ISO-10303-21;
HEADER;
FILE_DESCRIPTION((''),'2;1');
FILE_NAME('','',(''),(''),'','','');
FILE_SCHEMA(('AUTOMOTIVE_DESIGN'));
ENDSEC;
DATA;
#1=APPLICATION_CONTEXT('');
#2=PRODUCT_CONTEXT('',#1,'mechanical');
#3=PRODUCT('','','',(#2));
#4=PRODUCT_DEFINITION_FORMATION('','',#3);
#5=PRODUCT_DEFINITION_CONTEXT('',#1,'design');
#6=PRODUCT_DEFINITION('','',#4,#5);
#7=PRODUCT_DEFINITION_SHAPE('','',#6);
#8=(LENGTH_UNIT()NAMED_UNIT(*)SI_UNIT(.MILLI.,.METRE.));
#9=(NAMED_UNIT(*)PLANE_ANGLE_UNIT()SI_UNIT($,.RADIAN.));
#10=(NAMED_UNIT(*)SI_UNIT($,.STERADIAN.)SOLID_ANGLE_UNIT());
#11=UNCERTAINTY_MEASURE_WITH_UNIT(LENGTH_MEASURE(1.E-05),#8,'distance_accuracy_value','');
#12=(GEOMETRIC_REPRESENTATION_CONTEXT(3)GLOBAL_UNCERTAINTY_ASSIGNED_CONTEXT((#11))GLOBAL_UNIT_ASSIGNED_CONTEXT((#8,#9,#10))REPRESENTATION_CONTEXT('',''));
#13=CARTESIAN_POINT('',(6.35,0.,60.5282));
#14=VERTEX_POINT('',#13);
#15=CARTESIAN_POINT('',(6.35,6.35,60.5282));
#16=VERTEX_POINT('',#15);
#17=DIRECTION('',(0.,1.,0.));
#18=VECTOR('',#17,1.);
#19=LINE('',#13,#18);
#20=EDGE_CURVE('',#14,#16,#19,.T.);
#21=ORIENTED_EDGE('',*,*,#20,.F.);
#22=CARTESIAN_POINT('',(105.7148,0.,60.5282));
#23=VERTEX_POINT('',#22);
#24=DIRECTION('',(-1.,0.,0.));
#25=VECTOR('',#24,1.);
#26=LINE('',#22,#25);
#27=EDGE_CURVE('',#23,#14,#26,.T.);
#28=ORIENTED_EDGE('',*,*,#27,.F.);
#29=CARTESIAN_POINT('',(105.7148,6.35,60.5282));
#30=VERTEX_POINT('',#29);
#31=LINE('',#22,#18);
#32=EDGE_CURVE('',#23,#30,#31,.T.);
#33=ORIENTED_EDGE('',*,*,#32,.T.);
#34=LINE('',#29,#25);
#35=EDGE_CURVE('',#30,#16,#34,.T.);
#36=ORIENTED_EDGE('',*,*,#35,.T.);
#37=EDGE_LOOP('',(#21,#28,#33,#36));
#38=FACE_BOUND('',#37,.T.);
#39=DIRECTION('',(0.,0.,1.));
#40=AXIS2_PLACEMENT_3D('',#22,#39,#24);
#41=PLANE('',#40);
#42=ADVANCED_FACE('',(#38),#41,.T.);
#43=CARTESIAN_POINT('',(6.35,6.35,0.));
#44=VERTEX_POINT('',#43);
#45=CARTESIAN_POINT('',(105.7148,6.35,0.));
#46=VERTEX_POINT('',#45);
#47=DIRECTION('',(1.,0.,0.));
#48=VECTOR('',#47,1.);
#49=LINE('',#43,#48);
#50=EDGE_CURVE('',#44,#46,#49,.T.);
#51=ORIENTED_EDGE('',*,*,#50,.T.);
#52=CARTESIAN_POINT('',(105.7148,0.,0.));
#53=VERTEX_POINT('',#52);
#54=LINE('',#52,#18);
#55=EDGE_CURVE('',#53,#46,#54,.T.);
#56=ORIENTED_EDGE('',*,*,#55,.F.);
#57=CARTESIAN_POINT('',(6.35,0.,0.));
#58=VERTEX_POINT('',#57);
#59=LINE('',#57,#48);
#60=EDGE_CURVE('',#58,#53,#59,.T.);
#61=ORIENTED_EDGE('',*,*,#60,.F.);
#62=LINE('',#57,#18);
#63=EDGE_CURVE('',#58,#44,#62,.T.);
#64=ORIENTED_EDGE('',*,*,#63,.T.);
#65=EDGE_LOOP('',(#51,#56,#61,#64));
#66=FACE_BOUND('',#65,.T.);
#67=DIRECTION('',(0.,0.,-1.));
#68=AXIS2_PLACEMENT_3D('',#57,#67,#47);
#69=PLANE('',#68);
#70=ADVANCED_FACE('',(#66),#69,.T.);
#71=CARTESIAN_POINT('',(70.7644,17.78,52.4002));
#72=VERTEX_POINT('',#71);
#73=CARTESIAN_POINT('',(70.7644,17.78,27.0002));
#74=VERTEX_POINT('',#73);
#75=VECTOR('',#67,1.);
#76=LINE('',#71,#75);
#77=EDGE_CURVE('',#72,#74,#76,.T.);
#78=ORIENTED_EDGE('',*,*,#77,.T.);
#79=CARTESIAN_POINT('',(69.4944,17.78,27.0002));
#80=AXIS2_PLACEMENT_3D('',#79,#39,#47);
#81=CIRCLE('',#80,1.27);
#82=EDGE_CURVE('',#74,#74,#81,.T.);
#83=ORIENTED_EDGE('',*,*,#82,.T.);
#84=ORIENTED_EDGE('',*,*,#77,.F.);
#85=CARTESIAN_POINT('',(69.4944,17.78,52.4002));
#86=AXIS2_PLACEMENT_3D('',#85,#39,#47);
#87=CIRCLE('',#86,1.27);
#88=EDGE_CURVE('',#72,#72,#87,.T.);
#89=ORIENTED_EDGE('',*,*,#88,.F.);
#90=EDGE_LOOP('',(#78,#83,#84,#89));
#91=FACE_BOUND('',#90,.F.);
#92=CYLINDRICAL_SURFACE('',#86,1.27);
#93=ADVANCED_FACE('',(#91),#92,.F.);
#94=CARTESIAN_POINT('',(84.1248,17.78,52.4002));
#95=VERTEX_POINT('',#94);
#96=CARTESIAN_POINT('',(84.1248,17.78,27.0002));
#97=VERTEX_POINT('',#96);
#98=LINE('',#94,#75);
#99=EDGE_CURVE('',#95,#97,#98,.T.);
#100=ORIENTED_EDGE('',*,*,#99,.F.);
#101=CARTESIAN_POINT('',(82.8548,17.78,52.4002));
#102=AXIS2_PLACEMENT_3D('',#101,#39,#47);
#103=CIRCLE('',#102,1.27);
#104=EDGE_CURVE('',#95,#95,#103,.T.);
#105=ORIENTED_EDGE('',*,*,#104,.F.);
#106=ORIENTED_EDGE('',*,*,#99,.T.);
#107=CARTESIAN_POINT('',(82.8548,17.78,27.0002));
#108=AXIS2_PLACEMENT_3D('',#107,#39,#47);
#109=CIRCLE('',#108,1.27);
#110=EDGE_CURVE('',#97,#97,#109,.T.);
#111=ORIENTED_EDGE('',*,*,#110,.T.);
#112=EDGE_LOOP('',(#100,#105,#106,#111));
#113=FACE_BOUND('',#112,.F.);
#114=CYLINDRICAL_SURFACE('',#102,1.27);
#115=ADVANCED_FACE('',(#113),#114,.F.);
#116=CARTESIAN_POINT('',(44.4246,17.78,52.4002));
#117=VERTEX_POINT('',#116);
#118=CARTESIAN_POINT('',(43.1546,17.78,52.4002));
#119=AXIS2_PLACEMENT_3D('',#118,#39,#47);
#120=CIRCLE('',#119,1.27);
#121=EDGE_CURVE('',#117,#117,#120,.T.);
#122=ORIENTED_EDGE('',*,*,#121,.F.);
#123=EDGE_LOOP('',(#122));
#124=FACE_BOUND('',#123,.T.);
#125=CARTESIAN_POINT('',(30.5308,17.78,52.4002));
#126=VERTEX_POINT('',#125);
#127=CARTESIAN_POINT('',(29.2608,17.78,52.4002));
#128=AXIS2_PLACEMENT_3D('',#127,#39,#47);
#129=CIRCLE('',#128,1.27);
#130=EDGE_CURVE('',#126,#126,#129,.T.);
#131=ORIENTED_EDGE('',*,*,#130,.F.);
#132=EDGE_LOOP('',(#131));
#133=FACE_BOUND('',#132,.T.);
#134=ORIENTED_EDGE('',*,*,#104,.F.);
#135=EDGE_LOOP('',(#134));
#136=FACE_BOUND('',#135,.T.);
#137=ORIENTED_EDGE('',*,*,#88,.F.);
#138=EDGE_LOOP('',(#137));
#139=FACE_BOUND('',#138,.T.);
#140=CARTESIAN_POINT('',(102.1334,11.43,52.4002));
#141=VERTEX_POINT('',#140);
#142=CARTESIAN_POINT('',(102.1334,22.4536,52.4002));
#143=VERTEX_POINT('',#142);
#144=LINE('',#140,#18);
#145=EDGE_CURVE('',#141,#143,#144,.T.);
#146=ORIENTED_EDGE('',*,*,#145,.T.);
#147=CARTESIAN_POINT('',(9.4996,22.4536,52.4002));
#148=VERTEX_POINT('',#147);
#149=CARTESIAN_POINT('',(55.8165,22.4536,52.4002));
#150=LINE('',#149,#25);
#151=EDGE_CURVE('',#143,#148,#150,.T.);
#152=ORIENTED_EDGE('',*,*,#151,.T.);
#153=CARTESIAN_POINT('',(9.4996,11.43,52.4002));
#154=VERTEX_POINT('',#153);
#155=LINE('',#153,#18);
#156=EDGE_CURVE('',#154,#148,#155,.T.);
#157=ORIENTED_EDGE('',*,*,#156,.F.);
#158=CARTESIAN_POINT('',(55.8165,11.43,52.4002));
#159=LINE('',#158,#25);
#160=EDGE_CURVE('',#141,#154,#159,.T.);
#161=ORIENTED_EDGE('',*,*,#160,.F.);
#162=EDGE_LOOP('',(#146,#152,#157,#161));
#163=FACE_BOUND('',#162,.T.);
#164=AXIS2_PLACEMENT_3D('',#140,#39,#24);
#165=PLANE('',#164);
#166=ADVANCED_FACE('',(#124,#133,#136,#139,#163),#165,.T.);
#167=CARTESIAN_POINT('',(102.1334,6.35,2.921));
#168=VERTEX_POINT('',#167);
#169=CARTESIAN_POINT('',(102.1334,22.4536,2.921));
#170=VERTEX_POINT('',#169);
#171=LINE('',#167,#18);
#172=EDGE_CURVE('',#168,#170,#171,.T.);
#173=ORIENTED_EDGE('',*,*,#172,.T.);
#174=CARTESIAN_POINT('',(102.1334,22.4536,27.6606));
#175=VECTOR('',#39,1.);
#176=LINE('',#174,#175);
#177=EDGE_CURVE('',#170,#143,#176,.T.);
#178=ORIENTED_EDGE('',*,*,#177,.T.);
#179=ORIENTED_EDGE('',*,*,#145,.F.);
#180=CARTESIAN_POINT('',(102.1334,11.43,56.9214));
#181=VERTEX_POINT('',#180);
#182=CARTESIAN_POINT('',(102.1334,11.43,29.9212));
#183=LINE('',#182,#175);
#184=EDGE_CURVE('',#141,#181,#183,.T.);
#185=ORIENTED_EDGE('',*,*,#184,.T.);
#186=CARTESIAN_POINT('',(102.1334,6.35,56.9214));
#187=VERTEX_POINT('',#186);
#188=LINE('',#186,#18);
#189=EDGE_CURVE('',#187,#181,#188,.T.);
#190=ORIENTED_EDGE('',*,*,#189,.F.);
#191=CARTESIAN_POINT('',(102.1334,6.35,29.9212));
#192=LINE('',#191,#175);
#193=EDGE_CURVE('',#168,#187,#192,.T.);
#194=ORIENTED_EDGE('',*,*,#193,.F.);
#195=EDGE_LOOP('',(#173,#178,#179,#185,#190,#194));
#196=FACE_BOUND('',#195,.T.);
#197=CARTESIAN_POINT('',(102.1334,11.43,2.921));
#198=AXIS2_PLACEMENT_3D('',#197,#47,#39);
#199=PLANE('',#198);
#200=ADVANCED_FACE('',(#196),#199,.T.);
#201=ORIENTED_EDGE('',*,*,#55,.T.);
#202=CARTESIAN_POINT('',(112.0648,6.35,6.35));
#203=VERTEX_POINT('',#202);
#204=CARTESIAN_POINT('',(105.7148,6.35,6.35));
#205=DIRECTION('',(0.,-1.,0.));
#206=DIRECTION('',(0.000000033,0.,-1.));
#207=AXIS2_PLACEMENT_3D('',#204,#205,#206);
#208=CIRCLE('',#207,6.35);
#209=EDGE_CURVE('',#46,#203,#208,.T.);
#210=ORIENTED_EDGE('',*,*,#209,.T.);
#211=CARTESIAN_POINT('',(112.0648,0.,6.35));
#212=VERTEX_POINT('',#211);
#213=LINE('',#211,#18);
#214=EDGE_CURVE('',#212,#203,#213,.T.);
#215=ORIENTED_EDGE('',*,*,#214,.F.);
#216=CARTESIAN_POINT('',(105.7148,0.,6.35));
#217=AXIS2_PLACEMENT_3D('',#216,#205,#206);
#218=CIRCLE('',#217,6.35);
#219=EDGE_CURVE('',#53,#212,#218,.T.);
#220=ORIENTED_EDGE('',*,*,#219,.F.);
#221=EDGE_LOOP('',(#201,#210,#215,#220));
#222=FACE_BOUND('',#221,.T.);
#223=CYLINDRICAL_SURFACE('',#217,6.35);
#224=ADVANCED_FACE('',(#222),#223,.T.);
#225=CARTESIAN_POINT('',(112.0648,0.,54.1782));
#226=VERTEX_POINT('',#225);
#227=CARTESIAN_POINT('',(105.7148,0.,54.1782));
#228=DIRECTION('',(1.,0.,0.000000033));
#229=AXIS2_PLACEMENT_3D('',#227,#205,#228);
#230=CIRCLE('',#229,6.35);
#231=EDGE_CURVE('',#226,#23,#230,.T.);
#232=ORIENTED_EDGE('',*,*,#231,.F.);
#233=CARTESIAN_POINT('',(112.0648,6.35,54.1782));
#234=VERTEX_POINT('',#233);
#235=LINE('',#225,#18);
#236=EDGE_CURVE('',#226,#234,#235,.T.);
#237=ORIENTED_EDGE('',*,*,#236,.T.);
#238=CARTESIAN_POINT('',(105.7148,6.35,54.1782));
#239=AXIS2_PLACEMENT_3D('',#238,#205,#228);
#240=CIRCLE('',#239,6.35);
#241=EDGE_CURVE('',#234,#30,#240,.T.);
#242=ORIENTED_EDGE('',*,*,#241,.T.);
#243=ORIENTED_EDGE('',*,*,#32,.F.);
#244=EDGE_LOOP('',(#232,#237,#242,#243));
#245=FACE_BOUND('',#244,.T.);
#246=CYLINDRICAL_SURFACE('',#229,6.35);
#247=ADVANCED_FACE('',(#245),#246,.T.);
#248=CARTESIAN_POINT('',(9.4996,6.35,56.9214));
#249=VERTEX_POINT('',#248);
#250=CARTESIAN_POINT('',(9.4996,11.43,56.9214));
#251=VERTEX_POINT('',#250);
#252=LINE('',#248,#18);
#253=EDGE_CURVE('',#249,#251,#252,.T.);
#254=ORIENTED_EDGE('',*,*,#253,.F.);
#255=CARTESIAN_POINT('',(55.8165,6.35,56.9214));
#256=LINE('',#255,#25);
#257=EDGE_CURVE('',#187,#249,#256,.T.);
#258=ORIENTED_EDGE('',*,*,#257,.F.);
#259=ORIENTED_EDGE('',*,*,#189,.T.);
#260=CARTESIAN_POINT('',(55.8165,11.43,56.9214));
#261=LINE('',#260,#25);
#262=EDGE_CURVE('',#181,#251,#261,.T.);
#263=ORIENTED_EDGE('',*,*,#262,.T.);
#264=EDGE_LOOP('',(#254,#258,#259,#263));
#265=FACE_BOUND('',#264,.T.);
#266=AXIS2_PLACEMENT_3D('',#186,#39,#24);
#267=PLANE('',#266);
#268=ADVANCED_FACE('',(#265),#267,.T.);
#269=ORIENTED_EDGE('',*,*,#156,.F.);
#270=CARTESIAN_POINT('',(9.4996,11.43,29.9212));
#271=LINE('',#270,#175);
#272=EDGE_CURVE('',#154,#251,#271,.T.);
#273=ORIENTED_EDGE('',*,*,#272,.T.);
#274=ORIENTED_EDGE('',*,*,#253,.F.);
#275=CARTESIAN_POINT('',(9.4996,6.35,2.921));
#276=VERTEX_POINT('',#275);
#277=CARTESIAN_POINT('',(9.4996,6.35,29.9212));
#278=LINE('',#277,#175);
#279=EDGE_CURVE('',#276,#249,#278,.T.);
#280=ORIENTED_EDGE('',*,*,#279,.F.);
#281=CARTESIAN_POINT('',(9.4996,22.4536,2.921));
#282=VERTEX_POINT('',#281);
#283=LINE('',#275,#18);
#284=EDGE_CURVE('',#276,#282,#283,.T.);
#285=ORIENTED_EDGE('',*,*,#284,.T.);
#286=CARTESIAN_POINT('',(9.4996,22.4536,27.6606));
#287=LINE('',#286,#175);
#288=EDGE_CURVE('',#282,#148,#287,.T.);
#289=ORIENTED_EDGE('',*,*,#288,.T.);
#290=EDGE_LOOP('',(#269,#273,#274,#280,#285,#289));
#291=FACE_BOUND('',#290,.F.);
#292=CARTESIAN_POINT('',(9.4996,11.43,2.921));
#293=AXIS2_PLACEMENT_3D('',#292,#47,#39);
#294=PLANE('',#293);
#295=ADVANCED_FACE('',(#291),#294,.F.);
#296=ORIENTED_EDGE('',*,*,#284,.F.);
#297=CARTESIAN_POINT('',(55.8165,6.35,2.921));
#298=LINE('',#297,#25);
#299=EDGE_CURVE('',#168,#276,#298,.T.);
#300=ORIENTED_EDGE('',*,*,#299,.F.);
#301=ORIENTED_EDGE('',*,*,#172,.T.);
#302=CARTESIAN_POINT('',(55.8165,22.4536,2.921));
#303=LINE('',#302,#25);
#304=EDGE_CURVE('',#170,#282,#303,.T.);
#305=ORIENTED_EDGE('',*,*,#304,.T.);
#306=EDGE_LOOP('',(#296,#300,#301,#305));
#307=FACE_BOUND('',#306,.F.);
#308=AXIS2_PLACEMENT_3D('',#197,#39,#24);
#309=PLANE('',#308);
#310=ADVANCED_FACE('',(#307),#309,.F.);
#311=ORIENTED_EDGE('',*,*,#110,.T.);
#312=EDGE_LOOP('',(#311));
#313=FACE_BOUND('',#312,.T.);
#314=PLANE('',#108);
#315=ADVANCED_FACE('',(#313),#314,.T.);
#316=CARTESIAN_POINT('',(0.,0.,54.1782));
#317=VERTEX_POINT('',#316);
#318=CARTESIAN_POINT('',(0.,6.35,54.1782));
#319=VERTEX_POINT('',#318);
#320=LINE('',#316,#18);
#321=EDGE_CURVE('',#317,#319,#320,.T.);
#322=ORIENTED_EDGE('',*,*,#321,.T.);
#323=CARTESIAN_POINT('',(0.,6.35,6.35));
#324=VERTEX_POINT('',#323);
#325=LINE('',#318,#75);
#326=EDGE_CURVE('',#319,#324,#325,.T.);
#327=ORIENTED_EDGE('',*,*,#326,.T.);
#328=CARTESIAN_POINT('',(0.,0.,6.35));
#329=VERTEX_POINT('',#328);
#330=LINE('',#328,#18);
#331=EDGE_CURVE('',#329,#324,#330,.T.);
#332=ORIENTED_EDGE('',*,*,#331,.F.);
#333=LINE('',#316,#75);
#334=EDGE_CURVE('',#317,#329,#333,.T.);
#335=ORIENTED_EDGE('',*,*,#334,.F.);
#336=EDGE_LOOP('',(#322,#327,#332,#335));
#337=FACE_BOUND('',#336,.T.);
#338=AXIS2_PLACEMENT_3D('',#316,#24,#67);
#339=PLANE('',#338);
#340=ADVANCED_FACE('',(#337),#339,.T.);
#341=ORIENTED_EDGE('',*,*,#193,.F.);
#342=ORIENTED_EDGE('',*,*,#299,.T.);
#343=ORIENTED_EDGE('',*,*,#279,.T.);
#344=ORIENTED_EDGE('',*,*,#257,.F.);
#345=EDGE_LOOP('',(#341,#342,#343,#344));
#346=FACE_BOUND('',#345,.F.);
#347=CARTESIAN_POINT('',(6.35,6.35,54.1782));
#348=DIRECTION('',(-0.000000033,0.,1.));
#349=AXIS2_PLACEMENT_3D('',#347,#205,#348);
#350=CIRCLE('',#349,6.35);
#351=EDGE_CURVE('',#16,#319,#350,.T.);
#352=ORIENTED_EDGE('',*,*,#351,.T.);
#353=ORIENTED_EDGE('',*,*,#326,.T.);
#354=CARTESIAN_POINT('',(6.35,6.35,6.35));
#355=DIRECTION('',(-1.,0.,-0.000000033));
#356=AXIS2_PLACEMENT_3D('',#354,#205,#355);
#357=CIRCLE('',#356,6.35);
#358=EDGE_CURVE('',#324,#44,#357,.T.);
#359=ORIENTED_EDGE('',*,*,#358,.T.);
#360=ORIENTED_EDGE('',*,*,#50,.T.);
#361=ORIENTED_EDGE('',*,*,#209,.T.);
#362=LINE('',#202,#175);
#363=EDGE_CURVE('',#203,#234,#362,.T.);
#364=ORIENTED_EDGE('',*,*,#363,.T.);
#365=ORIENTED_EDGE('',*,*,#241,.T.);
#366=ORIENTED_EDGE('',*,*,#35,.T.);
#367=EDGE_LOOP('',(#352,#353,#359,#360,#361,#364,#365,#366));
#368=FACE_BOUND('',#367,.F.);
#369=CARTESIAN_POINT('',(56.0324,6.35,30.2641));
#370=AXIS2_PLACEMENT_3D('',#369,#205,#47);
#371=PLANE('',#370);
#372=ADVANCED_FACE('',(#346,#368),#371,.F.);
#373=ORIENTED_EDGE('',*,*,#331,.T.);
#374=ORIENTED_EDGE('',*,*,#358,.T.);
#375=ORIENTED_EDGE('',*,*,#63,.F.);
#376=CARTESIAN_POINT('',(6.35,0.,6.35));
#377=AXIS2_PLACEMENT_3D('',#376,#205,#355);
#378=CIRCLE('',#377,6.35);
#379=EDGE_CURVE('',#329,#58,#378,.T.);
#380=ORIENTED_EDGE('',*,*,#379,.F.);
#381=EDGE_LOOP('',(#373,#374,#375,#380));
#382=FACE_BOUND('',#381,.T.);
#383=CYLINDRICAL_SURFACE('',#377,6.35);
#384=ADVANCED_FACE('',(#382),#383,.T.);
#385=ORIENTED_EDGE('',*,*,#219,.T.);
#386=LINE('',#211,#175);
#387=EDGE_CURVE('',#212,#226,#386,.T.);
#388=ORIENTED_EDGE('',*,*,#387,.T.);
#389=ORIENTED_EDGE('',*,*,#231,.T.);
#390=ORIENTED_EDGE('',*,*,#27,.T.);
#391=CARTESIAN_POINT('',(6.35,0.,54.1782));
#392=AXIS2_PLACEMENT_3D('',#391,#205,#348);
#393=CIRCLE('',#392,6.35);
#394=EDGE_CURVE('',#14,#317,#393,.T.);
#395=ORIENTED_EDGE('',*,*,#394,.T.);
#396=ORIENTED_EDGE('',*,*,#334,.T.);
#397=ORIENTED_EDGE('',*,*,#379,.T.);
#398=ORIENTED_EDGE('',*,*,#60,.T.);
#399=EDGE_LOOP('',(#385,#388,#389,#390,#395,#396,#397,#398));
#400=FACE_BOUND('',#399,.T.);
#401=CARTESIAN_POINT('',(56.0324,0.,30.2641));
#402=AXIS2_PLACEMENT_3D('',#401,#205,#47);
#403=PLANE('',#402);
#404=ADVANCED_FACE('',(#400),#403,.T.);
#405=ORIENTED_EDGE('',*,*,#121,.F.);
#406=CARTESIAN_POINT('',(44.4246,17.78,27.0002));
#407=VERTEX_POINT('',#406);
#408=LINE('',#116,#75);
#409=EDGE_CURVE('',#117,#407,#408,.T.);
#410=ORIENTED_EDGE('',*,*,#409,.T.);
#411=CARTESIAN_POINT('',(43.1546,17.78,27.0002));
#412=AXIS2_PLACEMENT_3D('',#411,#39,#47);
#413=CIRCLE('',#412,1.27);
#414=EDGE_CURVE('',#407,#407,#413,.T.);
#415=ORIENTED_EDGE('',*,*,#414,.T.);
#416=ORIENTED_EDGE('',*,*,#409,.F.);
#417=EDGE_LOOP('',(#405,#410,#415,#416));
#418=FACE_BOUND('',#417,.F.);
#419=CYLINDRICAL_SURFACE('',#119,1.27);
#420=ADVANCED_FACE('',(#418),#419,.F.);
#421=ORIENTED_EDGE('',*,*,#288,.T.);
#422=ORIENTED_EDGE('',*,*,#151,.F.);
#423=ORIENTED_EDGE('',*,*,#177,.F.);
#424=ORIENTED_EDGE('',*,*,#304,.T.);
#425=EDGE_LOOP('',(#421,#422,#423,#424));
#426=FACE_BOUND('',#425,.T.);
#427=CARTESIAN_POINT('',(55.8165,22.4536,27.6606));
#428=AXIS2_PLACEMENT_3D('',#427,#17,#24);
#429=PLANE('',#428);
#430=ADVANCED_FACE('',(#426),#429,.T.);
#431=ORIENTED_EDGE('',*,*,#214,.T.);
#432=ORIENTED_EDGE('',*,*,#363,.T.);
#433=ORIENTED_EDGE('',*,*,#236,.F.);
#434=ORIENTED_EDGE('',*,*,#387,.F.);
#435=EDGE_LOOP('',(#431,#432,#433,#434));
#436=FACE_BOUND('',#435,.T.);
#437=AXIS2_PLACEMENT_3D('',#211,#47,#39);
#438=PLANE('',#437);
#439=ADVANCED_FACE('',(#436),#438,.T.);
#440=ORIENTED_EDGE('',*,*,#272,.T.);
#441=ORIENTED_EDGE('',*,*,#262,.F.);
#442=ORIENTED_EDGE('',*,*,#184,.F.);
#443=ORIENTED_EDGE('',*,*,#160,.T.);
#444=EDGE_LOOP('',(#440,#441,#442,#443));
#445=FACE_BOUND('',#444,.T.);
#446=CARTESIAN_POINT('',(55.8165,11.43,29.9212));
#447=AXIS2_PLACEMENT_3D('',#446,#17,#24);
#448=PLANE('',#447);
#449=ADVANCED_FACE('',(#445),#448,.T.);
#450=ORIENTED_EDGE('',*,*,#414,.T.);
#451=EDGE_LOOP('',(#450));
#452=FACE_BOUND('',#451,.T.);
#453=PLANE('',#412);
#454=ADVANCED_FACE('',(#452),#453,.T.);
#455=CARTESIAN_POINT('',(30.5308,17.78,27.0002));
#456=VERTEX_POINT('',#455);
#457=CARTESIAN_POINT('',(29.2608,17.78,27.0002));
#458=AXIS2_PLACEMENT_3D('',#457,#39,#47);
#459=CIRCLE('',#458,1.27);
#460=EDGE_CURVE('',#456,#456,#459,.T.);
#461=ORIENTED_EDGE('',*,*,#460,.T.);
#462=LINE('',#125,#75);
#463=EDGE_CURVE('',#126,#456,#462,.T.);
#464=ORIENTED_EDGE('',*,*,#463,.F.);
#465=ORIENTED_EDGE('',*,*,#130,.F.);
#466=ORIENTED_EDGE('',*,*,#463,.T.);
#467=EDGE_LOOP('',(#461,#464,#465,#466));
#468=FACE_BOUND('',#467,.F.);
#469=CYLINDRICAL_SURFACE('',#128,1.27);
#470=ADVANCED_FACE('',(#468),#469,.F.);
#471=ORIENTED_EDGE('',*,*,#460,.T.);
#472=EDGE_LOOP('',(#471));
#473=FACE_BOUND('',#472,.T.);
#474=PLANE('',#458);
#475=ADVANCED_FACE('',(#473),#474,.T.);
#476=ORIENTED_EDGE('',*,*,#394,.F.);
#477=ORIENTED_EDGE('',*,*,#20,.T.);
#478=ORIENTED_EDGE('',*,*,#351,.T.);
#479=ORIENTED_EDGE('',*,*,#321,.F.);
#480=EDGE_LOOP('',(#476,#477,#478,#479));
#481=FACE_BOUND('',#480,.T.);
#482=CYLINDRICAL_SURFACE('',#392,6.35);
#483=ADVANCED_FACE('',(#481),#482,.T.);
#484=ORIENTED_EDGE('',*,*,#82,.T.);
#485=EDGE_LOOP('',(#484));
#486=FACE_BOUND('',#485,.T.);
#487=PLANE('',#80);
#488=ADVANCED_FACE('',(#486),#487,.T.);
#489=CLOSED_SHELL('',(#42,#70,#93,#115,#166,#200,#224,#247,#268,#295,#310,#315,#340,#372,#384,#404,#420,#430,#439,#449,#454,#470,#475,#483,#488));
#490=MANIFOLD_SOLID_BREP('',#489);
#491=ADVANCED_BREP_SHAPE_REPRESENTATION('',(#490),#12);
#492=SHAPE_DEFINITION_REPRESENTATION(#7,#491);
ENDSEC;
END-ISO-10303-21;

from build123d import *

# Parameters (mm, degrees)
F1_DEPTH = 6.35
F2_W     = 92.6338
F2_H     = 54.0004
F3_DEPTH = 5.08
F4_W     = 92.6338
F4_H     = 49.4792
F5_DEPTH = 11.0236
F6_R     = 1.27
F7_DEPTH = 25.4


with BuildPart() as f1:
    # F0 (on Front) → F1 (new body)
    with BuildSketch(Plane.XZ):
        with BuildLine():
            ThreePointArc((0, 6.35), (1.859872, 1.859872), (6.35, 0))
            Line((6.35, 0), (105.7148, 0))
            ThreePointArc((105.7148, 0), (110.204928, 1.859872), (112.0648, 6.35))
            Line((112.0648, 6.35), (112.0648, 54.1782))
            ThreePointArc((112.0648, 54.1782), (110.204928, 58.668328), (105.7148, 60.5282))
            Line((105.7148, 60.5282), (6.35, 60.5282))
            ThreePointArc((6.35, 60.5282), (1.859872, 58.668328), (0, 54.1782))
            Line((0, 54.1782), (0, 6.35))
        make_face()
    extrude(amount=-F1_DEPTH)

    # F2 (on face) → F3 (join)
    with BuildSketch(Plane(origin=(0, 6.35, 0), x_dir=(-1, 0, 0), z_dir=(0, 1, 0))):
        with Locations((-55.8165, 29.9212)):
            Rectangle(F2_W, F2_H)
    extrude(amount=F3_DEPTH)

    # F4 (on face) → F5 (join)
    with BuildSketch(Plane(origin=(0, 11.43, 0), x_dir=(-1, 0, 0), z_dir=(0, 1, 0))):
        with Locations((-55.8165, 27.6606)):
            Rectangle(F4_W, F4_H)
    extrude(amount=F5_DEPTH)

    # F6 (on face) → F7 (cut)
    with BuildSketch(Plane.XY.offset(52.4002)):
        with Locations((29.2608, 17.78)):
            Circle(F6_R)
        with Locations((43.1546, 17.78)):
            Circle(F6_R)
        with Locations((69.4944, 17.78)):
            Circle(F6_R)
        with Locations((82.8548, 17.78)):
            Circle(F6_R)
    extrude(amount=-F7_DEPTH, mode=Mode.SUBTRACT)


solid = f1.part
